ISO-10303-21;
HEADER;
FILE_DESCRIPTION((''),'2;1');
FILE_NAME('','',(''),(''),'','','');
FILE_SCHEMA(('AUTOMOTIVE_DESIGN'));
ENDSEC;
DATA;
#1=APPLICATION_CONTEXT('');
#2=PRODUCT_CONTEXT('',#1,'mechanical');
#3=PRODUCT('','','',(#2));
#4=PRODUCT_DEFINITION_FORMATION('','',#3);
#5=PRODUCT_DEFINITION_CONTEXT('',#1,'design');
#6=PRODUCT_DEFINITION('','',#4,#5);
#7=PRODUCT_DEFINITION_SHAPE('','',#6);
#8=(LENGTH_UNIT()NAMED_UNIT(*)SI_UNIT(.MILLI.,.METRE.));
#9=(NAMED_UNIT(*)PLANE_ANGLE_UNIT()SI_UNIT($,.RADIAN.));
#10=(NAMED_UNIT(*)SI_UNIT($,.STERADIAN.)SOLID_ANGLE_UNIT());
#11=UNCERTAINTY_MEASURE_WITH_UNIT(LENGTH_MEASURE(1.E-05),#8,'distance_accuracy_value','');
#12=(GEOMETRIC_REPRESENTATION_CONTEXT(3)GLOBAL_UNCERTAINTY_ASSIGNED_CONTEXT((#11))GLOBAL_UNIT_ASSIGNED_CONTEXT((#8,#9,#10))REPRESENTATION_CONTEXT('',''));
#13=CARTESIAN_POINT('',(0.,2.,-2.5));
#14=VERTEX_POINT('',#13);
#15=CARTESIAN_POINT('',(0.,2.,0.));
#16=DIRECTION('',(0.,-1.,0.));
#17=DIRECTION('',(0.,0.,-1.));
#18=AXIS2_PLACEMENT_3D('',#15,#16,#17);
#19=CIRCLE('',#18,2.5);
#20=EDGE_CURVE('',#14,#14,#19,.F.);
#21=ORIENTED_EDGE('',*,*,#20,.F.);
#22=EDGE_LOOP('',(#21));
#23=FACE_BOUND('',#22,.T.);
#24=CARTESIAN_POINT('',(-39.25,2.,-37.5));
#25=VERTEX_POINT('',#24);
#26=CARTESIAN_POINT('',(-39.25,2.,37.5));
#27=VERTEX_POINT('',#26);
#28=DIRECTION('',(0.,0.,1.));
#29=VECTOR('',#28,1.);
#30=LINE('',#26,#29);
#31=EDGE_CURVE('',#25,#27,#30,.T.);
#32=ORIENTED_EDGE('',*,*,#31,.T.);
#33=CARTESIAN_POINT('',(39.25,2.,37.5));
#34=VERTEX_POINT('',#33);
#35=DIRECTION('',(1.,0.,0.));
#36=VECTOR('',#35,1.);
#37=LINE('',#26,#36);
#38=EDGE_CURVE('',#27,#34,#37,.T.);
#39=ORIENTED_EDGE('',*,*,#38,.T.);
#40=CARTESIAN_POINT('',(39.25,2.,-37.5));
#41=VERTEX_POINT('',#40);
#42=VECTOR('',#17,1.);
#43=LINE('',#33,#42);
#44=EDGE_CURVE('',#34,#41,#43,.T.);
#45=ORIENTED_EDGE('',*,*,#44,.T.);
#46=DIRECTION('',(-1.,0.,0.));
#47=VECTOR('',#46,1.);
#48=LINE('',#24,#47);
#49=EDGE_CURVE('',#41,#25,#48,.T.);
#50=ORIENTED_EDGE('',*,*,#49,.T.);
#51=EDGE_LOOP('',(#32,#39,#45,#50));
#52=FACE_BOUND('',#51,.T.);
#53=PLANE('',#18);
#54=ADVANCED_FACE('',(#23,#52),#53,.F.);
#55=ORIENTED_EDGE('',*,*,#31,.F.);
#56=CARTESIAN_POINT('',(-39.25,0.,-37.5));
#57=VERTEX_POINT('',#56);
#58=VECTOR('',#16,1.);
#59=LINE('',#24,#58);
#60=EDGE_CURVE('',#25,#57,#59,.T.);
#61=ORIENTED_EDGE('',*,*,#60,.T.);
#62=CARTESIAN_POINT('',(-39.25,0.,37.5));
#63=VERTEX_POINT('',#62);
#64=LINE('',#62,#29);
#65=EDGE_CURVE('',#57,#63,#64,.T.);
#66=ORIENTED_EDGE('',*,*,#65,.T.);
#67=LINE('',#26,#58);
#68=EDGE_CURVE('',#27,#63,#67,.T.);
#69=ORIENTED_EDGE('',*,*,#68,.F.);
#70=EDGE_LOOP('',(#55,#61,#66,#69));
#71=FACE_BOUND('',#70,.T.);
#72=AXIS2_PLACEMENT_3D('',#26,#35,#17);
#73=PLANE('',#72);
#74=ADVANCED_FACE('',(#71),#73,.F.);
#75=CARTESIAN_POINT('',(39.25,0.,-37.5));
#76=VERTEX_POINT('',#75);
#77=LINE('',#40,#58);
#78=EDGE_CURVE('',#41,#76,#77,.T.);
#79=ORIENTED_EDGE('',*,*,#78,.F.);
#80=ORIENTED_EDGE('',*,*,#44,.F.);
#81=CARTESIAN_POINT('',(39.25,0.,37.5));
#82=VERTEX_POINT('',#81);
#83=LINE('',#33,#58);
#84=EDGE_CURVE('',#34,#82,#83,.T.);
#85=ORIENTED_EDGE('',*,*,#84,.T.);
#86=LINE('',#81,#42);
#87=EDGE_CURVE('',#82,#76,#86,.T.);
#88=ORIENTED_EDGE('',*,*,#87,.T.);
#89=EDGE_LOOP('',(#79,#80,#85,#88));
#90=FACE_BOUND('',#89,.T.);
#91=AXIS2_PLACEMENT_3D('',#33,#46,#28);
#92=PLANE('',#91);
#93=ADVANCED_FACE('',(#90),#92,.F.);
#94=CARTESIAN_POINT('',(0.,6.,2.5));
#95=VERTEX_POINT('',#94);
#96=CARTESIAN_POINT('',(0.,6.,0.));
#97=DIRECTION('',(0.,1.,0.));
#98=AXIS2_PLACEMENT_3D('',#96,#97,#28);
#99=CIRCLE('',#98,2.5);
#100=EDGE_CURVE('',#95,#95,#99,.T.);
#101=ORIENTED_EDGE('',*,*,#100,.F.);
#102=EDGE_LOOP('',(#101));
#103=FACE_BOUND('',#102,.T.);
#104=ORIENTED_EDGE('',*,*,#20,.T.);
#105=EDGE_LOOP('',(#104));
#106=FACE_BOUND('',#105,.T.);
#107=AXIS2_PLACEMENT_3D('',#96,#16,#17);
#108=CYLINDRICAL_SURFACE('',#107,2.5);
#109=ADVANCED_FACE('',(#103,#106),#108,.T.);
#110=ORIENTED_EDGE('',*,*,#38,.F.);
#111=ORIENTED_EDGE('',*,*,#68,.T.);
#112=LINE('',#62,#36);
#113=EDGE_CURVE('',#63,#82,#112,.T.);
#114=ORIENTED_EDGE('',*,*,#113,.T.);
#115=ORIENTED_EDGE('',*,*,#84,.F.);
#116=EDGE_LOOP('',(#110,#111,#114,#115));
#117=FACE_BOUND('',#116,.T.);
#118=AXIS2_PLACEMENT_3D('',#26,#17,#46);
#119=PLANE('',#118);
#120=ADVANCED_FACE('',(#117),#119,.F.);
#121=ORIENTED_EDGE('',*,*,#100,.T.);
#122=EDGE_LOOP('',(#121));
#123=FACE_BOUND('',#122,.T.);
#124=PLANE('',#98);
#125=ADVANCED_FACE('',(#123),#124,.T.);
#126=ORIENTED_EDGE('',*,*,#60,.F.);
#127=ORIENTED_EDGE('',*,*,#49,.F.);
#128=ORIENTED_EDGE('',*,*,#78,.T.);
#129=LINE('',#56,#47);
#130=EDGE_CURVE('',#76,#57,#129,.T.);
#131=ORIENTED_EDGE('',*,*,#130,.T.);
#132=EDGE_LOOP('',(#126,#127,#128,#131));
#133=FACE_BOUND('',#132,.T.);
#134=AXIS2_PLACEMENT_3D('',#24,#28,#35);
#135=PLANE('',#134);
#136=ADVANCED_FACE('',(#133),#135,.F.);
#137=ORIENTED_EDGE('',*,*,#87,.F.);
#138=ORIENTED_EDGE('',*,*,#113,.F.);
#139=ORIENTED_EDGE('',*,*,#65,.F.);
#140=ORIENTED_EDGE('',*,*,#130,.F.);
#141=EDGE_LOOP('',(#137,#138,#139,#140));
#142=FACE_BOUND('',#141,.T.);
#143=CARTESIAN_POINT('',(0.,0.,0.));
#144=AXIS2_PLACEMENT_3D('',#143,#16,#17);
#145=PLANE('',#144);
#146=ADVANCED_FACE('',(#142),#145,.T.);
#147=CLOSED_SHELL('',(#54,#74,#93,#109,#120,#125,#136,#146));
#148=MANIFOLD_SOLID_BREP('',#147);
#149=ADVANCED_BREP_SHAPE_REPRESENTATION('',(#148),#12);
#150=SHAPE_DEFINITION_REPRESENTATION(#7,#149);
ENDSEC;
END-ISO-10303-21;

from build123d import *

# Parameters (mm, degrees)
CROQUIS1_W              = 78.5
CROQUIS1_H              = 75
SALIENTE_EXTRUIR1_DEPTH = 2
CROQUIS2_R              = 2.5
SALIENTE_EXTRUIR2_DEPTH = 4


with BuildPart() as part:
    # Croquis1 → Saliente-Extruir1 (new body)
    with BuildSketch(Plane(origin=(0, 0, 0), x_dir=(1, 0, 0), z_dir=(0, 1, 0))):
        Rectangle(CROQUIS1_W, CROQUIS1_H)
    extrude(amount=SALIENTE_EXTRUIR1_DEPTH)

    # Croquis2 → Saliente-Extruir2 (add)
    with BuildSketch(Plane(origin=(0, 2, 0), x_dir=(1, 0, 0), z_dir=(0, 1, 0))):
        with Locations(Location((0, 0, 0), (0, 0, 90))):
            Circle(CROQUIS2_R)
    extrude(amount=SALIENTE_EXTRUIR2_DEPTH)


solid = part.part
